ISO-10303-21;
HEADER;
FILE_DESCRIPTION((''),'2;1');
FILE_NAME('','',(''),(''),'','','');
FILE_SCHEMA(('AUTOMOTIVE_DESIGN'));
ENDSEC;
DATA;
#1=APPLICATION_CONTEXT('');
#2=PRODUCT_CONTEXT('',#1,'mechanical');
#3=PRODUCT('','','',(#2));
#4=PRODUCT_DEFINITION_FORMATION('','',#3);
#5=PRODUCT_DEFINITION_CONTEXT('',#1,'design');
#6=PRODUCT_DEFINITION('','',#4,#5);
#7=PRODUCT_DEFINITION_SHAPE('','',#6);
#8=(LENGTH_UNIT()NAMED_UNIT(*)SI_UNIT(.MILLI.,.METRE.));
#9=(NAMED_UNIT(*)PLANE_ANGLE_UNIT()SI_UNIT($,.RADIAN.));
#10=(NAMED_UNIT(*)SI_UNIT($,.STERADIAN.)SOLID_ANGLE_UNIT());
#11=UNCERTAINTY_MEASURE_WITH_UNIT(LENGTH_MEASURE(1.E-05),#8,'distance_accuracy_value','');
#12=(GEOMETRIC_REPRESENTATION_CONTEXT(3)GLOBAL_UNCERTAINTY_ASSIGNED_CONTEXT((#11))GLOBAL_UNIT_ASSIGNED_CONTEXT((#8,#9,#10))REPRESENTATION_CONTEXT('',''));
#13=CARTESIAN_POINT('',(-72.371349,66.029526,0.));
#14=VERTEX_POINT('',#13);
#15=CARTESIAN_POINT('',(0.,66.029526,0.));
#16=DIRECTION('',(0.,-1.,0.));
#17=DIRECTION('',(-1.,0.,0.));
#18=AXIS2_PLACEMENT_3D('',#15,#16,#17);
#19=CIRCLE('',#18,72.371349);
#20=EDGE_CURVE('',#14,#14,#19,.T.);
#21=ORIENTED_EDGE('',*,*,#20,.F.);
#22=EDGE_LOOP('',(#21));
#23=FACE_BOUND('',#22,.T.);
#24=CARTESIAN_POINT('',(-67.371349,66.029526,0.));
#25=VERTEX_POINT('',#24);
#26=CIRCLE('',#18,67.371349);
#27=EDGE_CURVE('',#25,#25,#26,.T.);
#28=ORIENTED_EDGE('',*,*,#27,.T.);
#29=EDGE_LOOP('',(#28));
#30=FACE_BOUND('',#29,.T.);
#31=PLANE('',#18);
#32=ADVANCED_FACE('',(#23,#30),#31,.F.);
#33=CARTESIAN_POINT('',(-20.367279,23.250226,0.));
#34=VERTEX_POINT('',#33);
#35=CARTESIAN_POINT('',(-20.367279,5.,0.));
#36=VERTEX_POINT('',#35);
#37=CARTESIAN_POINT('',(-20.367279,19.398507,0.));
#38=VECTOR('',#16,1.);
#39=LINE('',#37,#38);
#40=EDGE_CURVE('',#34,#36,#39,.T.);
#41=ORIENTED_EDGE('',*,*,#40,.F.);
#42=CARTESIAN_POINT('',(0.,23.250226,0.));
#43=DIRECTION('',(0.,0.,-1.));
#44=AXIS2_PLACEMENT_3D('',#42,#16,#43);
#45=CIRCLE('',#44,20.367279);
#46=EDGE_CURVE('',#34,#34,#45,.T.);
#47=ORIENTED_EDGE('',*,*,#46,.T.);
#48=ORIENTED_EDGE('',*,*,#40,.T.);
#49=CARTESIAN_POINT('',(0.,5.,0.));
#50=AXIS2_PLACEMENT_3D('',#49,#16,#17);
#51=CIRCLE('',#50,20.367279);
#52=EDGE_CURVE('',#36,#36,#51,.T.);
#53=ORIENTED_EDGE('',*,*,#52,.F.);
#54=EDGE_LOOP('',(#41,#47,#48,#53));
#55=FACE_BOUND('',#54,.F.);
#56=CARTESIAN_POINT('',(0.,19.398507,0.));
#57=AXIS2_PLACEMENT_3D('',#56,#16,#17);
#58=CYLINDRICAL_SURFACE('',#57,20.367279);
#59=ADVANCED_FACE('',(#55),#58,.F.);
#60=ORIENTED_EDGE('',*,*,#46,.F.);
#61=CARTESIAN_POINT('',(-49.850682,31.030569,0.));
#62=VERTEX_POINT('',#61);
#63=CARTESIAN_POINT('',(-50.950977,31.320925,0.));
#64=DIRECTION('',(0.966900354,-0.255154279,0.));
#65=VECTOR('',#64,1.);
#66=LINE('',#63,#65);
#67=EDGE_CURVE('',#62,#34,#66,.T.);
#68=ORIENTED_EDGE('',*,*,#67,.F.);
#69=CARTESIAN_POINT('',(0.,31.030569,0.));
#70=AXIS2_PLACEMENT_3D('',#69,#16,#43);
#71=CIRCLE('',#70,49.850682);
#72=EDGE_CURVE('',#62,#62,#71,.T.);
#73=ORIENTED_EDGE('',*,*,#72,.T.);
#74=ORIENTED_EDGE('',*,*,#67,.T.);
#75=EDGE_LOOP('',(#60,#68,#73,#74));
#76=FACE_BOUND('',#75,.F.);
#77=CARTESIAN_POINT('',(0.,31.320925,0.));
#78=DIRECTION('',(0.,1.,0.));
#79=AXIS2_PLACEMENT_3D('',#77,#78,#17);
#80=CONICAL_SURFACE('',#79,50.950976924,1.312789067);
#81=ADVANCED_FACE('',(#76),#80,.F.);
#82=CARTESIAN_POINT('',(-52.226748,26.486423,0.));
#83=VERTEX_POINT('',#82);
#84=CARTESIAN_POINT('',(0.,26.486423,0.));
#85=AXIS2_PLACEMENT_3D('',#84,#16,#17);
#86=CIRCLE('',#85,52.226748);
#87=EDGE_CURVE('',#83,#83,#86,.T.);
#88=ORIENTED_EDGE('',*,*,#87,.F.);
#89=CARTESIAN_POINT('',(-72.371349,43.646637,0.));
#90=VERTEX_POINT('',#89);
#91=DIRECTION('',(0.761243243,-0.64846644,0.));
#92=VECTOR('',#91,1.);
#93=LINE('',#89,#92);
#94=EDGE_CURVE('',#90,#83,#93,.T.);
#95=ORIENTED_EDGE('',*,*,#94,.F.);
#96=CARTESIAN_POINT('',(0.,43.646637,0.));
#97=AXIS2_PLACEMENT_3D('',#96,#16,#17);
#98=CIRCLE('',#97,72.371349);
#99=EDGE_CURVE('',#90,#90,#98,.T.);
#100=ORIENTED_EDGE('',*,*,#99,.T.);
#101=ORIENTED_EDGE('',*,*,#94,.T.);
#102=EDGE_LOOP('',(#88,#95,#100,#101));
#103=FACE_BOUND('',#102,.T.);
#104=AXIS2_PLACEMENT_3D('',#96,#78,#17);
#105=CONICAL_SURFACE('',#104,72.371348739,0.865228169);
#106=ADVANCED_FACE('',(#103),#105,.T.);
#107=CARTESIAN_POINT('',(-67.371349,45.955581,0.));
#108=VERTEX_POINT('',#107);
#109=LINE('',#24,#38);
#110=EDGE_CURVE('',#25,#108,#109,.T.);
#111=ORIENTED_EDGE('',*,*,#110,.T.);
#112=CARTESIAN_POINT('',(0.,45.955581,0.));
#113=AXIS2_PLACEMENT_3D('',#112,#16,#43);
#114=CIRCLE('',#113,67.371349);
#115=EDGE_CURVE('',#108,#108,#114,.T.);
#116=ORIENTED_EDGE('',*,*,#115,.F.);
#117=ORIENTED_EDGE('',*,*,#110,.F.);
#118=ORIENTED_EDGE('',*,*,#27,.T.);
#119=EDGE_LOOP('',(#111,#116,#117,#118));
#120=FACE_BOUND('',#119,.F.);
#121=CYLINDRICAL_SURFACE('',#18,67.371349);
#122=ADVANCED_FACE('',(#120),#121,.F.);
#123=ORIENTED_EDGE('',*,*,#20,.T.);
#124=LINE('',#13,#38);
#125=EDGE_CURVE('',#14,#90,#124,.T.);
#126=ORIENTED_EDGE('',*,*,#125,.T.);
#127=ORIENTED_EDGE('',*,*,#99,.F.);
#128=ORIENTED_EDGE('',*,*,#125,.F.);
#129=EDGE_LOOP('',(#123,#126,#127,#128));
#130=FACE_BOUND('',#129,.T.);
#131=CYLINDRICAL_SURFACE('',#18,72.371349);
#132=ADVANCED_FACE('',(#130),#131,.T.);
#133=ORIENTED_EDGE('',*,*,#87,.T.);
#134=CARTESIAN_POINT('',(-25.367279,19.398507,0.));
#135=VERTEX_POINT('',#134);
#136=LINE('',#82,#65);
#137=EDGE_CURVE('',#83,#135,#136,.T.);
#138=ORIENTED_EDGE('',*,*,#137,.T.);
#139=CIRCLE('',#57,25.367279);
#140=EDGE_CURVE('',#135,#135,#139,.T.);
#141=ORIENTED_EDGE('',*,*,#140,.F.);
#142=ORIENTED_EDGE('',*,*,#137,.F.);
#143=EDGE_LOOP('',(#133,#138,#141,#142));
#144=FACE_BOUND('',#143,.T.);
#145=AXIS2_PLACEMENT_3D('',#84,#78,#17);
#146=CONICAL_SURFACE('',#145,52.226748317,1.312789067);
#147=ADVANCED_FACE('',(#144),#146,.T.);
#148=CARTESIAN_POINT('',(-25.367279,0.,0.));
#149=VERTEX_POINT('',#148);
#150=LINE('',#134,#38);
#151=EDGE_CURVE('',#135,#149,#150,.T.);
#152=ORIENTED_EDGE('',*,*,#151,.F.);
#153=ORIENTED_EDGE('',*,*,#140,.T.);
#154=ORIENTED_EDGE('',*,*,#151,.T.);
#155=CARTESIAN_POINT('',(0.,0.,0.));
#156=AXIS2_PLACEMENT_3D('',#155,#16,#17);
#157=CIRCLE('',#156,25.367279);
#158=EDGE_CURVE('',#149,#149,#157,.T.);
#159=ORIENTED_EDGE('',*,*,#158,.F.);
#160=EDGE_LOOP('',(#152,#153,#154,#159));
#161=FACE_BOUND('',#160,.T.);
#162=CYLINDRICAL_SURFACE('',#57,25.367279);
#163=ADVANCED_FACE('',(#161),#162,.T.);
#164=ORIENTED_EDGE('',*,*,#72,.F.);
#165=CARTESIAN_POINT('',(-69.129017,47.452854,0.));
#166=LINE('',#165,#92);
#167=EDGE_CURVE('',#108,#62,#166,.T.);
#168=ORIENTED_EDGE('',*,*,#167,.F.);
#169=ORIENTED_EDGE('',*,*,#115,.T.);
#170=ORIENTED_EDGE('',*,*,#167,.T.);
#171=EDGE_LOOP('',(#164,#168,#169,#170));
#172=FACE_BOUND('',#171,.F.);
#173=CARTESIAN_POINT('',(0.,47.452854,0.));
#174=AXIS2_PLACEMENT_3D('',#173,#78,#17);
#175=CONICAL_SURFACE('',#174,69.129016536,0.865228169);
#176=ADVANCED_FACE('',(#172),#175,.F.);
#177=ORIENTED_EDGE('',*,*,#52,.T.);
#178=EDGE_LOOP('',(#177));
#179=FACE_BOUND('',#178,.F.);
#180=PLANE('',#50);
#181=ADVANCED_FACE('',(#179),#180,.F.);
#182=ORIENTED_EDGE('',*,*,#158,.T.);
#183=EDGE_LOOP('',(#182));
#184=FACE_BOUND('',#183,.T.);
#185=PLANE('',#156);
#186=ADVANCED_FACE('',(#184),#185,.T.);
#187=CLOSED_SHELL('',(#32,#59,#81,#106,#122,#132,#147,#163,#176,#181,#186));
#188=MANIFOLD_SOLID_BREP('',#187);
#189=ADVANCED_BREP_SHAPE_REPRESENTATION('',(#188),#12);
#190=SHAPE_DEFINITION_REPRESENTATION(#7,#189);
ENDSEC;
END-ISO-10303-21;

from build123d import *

# Parameters (mm, degrees)
F2_T = -5


with BuildPart() as f1:
    # F0 (on Top) → F1 (revolve)
    with BuildSketch(Plane.XY):
        Polygon((-25.3672786057, 19.3985067308), (-25.3672786057, 0), (0, 0), (0, 66.0295262933), (-72.3713487387, 66.0295262933), (-72.3713487387, 43.6466373503), (-52.2267483175, 26.4864228666), align=None)
    revolve(axis=Axis((0, 33.0147631466, 0), (0, -1, 0)))

    # F2
    f2_openings = [f1.faces().sort_by_distance(p)[0] for p in [
        (0, 66.029526, 0),
    ]]
    offset(amount=F2_T, openings=f2_openings, kind=Kind.INTERSECTION)


solid = f1.part
